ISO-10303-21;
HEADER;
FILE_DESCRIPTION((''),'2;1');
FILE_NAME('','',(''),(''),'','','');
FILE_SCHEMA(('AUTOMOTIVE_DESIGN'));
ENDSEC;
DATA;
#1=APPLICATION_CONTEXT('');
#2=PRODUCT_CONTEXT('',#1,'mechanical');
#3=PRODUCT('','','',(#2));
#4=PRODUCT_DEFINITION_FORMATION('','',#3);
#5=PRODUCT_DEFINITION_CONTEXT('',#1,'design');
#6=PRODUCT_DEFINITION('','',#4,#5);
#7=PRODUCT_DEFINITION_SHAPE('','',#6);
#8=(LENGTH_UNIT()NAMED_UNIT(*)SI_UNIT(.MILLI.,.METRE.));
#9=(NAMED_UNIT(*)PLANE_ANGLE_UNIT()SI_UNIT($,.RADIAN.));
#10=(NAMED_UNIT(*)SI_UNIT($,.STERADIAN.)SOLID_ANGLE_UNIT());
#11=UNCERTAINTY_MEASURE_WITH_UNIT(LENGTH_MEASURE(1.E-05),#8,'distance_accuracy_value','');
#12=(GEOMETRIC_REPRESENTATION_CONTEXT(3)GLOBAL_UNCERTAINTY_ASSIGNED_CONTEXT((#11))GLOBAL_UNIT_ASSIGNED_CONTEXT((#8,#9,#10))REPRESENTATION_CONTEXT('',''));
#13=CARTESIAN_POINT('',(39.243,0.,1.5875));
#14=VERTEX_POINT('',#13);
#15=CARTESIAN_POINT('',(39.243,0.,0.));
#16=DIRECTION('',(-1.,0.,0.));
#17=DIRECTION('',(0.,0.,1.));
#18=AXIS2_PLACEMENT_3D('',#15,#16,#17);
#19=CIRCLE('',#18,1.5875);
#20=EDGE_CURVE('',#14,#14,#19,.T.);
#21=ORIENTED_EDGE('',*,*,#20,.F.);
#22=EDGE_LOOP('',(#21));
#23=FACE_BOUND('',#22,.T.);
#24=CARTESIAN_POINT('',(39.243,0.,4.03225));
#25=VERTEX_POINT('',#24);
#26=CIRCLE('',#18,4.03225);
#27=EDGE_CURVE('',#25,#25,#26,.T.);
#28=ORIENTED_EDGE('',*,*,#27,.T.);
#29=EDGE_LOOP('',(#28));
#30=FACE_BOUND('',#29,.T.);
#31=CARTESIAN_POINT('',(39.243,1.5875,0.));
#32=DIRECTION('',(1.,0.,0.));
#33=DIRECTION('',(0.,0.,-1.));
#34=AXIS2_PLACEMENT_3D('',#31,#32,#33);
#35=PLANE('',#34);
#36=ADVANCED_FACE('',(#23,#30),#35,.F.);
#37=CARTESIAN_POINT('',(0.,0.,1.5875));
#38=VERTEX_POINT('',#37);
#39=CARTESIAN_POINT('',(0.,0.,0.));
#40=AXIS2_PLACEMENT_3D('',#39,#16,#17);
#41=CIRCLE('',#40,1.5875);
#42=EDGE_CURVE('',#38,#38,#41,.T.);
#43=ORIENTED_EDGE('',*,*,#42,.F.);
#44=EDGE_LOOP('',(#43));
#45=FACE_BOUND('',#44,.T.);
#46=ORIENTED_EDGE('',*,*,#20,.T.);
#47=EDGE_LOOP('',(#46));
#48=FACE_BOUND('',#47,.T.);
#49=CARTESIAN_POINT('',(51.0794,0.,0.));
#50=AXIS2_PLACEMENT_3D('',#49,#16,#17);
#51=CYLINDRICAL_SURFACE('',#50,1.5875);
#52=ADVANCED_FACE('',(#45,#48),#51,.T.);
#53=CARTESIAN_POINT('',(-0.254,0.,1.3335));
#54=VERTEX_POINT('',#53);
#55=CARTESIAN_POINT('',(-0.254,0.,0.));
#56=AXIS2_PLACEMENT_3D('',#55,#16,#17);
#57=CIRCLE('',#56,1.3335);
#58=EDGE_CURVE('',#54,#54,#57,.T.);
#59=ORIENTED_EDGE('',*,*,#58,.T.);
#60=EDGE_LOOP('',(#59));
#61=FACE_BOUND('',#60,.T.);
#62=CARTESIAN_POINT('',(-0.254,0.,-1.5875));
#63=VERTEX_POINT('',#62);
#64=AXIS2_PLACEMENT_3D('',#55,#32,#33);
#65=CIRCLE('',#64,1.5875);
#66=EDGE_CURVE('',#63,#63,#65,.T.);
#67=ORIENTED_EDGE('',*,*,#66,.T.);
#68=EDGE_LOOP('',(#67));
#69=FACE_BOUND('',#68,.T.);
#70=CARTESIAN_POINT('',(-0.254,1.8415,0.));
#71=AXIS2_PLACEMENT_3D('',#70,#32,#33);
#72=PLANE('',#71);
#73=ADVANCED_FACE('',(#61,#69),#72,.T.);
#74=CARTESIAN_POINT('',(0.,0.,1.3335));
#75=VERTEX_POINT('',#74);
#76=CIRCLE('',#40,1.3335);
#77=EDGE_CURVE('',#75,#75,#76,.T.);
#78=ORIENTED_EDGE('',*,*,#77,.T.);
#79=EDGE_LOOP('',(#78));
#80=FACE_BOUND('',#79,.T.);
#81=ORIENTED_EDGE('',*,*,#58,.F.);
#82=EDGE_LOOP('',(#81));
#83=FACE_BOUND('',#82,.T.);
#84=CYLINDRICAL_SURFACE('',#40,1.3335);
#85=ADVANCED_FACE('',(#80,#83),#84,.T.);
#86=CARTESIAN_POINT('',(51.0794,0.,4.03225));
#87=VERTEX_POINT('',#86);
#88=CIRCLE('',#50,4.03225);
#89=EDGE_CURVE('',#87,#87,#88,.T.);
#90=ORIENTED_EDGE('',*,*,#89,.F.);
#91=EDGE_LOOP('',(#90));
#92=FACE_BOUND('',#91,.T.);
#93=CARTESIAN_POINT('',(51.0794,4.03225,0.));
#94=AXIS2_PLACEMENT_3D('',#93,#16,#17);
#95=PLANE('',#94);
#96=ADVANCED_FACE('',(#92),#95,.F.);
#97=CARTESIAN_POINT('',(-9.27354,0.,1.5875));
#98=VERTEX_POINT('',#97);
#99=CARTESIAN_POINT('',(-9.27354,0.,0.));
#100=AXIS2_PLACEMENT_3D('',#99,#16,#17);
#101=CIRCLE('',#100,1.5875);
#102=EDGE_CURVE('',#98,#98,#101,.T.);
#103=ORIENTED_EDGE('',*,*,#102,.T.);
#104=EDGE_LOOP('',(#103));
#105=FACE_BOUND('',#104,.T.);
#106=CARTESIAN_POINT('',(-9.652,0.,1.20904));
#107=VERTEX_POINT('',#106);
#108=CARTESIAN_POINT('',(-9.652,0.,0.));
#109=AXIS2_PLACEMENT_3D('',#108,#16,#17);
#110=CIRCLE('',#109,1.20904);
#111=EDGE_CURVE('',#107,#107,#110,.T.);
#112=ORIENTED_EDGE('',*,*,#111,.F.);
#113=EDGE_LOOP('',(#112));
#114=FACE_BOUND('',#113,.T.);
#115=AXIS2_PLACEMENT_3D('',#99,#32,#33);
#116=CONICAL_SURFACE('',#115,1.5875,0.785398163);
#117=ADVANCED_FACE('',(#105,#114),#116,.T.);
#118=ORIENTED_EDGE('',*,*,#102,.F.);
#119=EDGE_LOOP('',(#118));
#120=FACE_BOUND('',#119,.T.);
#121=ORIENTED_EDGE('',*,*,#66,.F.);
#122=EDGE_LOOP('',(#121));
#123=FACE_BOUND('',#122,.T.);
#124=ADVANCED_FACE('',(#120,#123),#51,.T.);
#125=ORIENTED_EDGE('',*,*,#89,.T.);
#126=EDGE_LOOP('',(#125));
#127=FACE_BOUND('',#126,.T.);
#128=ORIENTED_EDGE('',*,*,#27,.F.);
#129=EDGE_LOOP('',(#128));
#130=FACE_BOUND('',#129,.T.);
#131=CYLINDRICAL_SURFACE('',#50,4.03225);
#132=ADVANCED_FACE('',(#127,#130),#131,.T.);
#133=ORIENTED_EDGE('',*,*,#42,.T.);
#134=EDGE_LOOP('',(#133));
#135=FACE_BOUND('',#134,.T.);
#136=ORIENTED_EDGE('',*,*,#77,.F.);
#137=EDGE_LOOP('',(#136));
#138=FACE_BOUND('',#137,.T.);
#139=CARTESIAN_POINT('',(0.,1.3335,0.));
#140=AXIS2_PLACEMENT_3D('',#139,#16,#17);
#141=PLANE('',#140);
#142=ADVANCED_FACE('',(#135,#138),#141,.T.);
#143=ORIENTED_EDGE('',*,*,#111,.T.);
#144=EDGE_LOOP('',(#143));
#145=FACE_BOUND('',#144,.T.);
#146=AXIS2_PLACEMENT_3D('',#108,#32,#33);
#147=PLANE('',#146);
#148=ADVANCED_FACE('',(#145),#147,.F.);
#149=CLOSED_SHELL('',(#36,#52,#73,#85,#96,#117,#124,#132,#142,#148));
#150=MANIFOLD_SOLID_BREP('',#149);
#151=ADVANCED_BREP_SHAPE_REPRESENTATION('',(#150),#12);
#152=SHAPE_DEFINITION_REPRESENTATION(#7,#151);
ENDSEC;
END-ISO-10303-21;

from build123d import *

# Parameters (mm, degrees)
SKETCH3_W = 0.254
SKETCH3_H = 0.508


with BuildPart() as part:
    # Sketch1 → Revolve1 (revolve)
    with BuildSketch(Plane.XY):
        Polygon((0, 0), (0, 1.5875), (39.243, 1.5875), (39.243, 4.03225), (51.0794, 4.03225), (51.0794, 0), align=None)
    revolve(axis=Axis((51.0794, 0, 0), (-1, 0, 0)))

    # Sketch2 → Revolve2 (revolve)
    with BuildSketch(Plane.XY):
        Polygon((-9.652, 0), (-9.652, 1.20904), (-9.27354, 1.5875), (0, 1.5875), (0, 0), align=None)
    revolve(axis=Axis((0, 0, 0), (-1, 0, 0)))

    # Sketch3 → Cut-Revolve1 (revolve, cut)
    with BuildSketch(Plane.XY):
        with Locations((-0.127, 1.5875)):
            Rectangle(SKETCH3_W, SKETCH3_H)
    revolve(axis=Axis((0, 0, 0), (-1, 0, 0)), mode=Mode.SUBTRACT)


solid = part.part
